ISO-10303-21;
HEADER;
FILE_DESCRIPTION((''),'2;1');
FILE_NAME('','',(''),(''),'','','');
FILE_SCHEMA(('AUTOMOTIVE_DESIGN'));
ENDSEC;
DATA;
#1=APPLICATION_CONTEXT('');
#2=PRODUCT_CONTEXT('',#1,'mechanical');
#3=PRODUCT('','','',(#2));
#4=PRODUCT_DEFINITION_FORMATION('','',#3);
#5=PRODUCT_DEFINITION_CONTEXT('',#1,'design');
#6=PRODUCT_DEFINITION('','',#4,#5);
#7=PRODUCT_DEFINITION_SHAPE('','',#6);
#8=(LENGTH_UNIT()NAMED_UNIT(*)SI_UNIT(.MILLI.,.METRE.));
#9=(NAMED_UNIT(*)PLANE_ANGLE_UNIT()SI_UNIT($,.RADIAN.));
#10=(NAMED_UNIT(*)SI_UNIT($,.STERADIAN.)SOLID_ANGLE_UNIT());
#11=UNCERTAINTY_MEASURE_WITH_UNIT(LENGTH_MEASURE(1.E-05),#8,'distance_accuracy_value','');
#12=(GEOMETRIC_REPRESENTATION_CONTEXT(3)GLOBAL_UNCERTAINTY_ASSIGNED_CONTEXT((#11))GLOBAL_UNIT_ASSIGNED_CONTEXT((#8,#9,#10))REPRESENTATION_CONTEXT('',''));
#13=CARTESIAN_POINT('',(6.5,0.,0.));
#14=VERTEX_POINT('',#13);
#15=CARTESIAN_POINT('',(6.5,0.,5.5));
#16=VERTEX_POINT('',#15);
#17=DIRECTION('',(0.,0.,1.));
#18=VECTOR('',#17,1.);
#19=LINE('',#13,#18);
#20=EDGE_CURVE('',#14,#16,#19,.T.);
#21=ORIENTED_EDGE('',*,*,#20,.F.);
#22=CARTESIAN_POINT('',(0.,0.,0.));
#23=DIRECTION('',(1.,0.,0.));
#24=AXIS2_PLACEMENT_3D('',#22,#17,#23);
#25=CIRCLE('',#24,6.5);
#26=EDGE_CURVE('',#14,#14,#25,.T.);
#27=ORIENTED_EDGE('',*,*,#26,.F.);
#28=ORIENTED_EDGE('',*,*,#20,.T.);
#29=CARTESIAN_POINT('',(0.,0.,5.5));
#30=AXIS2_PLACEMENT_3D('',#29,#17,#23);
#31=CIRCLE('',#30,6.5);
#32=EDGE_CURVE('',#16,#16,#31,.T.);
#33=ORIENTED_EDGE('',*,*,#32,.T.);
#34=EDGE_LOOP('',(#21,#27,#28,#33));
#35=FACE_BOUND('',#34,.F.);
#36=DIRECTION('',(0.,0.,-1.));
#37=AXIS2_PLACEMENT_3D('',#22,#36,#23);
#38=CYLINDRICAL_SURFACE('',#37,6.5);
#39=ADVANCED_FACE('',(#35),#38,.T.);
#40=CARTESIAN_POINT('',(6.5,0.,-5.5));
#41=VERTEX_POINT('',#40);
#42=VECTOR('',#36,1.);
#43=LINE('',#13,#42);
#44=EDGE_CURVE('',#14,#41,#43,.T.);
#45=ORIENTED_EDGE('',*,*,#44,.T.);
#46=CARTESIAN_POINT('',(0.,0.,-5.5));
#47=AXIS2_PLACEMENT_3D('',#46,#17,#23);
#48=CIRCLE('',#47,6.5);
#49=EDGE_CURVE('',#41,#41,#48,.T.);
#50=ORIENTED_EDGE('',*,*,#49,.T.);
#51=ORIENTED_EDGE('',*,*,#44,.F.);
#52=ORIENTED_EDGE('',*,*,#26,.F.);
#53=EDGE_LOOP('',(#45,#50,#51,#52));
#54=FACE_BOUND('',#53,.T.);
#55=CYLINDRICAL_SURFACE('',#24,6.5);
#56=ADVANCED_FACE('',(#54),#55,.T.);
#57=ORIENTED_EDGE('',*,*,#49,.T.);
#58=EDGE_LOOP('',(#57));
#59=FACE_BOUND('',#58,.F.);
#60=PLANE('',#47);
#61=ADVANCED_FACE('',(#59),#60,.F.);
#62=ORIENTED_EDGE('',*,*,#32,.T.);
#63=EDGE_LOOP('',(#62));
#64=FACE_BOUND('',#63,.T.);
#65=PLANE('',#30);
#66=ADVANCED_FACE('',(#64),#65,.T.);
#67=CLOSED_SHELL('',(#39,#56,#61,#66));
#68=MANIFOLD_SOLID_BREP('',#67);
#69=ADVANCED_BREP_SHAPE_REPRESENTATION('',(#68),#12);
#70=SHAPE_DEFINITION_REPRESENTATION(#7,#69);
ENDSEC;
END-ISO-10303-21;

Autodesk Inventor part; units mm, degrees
ref_plane "YZ Plane" through (0, 0, 0) normal (1, 0, 0) x (0, 1, 0)
ref_plane "XZ Plane" through (0, 0, 0) normal (0, 1, 0) x (-1, 0, 0)
ref_plane "XY Plane" through (0, 0, 0) normal (0, 0, 1) x (1, 0, 0)
sketch "Hauptskizze" plane through (0, 0, 0) normal (0, 0, 1) x (1, 0, 0)
  circle A0 centre (0, 0) radius 6.5
  dimension "d0" = 13
extrude "Riemenscheibe" add sketch "Hauptskizze" along normal mid plane 11
equation "\"d0\" = da_D"
equation "\"d1\" = da_B"
equation "\"da_D\" = 13"
equation "\"da_B\" = 11"
properties part number "Flache Riemenscheibe3" material "Steel"
